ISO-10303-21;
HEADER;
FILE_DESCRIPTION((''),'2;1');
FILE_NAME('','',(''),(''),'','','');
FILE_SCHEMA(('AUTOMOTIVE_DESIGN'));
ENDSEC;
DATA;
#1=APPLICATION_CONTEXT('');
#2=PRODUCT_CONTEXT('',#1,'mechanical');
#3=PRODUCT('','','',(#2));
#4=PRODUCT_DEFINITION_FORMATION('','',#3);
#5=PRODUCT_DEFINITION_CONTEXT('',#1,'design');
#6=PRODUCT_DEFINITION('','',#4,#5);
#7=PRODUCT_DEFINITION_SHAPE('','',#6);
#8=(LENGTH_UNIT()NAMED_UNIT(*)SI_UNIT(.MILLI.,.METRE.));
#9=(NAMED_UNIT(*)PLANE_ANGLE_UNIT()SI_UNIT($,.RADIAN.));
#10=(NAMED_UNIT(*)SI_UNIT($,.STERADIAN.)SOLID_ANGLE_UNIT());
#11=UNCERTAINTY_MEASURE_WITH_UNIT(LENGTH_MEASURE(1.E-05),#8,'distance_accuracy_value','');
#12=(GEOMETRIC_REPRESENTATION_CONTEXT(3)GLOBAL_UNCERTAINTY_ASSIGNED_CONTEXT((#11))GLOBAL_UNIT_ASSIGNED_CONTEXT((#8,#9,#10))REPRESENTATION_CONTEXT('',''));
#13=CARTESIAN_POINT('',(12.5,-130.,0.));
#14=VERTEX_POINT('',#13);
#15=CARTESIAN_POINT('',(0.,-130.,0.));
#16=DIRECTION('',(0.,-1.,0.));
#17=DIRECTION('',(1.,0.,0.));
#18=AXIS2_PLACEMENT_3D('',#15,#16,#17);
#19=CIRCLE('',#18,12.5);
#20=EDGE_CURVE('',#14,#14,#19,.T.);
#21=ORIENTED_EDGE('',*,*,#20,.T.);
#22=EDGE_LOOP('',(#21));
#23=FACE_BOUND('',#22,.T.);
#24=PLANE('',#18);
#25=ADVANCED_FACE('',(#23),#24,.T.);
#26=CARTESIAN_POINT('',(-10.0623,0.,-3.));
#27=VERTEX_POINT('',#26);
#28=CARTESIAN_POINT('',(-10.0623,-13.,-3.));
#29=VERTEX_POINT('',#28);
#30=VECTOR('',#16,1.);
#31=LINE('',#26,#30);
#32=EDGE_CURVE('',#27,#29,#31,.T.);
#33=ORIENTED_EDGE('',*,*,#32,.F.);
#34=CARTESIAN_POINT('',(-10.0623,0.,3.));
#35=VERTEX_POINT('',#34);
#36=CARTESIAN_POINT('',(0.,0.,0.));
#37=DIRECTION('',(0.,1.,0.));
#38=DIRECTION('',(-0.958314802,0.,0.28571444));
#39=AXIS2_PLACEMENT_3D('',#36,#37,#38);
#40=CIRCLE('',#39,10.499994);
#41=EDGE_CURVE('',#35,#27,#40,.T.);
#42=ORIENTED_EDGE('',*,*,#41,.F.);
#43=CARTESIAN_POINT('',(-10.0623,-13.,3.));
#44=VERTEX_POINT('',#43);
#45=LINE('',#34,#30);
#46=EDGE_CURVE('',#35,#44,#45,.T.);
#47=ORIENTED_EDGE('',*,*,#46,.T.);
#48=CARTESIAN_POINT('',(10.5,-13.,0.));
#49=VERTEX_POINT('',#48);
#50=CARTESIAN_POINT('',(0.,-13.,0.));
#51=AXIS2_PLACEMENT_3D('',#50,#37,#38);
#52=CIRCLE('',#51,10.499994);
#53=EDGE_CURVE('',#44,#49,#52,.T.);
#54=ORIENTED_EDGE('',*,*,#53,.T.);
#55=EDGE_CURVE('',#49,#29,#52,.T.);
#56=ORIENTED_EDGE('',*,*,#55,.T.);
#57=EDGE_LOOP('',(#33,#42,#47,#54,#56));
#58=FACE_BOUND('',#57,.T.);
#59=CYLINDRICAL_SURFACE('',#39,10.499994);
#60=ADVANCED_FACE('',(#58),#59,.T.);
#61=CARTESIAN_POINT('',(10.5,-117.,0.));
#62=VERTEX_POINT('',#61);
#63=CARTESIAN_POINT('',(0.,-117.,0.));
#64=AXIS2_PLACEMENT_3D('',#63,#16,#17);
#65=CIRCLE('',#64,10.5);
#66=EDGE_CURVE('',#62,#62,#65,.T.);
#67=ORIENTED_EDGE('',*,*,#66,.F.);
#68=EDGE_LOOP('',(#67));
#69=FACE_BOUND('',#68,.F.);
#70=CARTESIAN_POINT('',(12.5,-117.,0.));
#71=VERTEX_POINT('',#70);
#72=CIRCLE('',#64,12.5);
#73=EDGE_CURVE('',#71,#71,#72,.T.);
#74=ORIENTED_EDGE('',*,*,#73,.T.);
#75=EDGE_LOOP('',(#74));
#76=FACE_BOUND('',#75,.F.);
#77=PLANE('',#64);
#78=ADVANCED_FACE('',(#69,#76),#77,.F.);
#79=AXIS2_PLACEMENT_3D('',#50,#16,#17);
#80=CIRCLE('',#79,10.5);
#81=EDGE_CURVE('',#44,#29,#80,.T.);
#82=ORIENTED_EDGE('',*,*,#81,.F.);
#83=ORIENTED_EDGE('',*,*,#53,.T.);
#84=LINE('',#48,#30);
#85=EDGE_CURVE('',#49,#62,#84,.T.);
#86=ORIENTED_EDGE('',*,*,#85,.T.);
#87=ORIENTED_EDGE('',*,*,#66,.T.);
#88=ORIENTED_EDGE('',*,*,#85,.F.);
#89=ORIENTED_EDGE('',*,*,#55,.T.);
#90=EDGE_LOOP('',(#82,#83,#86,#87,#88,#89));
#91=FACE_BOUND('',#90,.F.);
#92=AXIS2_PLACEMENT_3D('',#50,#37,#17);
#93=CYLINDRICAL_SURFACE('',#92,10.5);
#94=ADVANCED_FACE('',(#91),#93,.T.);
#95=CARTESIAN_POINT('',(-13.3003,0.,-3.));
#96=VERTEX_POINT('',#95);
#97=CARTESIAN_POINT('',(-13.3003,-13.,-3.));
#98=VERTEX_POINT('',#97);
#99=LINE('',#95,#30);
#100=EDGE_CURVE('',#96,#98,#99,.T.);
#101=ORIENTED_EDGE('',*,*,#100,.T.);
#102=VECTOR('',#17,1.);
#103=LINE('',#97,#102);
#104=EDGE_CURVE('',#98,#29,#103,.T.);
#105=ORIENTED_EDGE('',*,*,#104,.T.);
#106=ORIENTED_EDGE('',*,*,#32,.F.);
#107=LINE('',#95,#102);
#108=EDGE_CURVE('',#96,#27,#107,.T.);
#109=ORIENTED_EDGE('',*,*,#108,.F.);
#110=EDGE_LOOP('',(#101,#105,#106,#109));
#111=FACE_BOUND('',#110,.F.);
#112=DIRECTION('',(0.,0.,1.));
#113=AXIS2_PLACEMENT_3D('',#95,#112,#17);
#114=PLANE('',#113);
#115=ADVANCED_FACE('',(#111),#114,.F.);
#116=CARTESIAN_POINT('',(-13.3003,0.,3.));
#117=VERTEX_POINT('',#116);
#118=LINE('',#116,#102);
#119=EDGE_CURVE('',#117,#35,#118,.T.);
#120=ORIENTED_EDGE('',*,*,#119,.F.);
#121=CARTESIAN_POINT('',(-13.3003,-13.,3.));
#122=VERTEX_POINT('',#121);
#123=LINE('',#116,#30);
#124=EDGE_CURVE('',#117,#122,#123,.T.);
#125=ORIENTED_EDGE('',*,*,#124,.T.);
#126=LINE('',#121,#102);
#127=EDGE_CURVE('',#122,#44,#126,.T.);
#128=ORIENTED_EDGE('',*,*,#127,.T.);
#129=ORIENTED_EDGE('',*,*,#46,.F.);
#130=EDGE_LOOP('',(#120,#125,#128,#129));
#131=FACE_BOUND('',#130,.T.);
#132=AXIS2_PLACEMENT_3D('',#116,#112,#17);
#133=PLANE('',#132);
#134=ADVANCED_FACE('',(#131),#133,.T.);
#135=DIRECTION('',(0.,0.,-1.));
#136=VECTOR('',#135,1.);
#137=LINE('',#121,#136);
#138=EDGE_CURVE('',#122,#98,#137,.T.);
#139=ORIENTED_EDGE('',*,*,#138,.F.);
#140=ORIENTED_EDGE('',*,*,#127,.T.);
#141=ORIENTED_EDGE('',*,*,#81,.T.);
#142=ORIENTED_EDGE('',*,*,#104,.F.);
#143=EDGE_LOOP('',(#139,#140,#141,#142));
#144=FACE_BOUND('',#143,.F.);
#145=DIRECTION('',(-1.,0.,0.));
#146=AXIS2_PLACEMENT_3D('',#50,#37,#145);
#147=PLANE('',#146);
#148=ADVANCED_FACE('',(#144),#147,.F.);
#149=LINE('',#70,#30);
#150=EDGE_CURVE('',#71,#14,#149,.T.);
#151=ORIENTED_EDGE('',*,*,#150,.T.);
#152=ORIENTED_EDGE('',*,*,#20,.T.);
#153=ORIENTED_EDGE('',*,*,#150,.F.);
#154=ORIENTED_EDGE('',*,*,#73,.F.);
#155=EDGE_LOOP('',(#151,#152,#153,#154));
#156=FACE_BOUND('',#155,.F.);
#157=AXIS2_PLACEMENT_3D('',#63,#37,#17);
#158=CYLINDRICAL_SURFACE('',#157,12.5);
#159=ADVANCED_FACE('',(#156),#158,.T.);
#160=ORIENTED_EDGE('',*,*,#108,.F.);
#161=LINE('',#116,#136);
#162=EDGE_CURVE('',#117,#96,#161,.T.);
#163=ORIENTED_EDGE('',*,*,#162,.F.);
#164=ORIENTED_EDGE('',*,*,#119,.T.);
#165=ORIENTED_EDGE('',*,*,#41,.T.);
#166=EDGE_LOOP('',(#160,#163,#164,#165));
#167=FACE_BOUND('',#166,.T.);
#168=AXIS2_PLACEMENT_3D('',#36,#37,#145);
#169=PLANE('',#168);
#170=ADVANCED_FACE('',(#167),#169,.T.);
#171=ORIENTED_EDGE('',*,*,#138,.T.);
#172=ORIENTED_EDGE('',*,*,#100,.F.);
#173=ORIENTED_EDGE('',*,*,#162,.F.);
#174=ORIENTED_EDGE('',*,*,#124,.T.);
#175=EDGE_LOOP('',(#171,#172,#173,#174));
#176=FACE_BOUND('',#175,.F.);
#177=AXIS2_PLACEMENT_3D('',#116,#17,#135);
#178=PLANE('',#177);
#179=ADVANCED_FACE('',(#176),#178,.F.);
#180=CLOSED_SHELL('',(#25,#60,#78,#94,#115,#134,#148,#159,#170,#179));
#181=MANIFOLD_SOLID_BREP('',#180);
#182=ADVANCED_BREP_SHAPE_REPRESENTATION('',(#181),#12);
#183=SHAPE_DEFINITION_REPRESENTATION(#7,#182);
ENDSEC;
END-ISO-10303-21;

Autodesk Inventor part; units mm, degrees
ref_plane "YZ Plane" through (0, 0, 0) normal (1, 0, 0) x (0, 1, 0)
ref_plane "XZ Plane" through (0, 0, 0) normal (0, 1, 0) x (-1, 0, 0)
ref_plane "XY Plane" through (0, 0, 0) normal (0, 0, 1) x (1, 0, 0)
sketch "Szkic1" plane through (0, 0, 0) normal (0, 1, 0) x (-1, 0, 0)
  arc A0 (10.0623, 3) -> (10.0623, -3) centre (0, 0) ccw
  line L0 (13.3003, 3) -> (13.3003, -3)
  line L1 (13.3003, -3) -> (10.0623, -3)
  line L2 (13.3003, 3) -> (10.0623, 3)
  point P0 (13.3003, 0)
  dimension "d0" = 21
  dimension "d1" = 6
  dimension "d2" = 3.238
extrude "Wyciągnięcie proste1" add sketch "Szkic1" against normal blind 13
sketch "Szkic3" plane through (0, -13, 0) normal (0, -1, 0) x (1, 0, 0)
  circle A0 centre (0, 0) radius 10.5
extrude "Wyciągnięcie proste3" add sketch "Szkic3" along normal blind 104
sketch "Szkic4" plane through (0, -117, 0) normal (0, -1, 0) x (1, 0, 0)
  circle A0 centre (0, 0) radius 12.5
  dimension "d9" = 25
extrude "Wyciągnięcie proste4" add sketch "Szkic4" along normal blind 13
properties part number "wal_czlon_2"
